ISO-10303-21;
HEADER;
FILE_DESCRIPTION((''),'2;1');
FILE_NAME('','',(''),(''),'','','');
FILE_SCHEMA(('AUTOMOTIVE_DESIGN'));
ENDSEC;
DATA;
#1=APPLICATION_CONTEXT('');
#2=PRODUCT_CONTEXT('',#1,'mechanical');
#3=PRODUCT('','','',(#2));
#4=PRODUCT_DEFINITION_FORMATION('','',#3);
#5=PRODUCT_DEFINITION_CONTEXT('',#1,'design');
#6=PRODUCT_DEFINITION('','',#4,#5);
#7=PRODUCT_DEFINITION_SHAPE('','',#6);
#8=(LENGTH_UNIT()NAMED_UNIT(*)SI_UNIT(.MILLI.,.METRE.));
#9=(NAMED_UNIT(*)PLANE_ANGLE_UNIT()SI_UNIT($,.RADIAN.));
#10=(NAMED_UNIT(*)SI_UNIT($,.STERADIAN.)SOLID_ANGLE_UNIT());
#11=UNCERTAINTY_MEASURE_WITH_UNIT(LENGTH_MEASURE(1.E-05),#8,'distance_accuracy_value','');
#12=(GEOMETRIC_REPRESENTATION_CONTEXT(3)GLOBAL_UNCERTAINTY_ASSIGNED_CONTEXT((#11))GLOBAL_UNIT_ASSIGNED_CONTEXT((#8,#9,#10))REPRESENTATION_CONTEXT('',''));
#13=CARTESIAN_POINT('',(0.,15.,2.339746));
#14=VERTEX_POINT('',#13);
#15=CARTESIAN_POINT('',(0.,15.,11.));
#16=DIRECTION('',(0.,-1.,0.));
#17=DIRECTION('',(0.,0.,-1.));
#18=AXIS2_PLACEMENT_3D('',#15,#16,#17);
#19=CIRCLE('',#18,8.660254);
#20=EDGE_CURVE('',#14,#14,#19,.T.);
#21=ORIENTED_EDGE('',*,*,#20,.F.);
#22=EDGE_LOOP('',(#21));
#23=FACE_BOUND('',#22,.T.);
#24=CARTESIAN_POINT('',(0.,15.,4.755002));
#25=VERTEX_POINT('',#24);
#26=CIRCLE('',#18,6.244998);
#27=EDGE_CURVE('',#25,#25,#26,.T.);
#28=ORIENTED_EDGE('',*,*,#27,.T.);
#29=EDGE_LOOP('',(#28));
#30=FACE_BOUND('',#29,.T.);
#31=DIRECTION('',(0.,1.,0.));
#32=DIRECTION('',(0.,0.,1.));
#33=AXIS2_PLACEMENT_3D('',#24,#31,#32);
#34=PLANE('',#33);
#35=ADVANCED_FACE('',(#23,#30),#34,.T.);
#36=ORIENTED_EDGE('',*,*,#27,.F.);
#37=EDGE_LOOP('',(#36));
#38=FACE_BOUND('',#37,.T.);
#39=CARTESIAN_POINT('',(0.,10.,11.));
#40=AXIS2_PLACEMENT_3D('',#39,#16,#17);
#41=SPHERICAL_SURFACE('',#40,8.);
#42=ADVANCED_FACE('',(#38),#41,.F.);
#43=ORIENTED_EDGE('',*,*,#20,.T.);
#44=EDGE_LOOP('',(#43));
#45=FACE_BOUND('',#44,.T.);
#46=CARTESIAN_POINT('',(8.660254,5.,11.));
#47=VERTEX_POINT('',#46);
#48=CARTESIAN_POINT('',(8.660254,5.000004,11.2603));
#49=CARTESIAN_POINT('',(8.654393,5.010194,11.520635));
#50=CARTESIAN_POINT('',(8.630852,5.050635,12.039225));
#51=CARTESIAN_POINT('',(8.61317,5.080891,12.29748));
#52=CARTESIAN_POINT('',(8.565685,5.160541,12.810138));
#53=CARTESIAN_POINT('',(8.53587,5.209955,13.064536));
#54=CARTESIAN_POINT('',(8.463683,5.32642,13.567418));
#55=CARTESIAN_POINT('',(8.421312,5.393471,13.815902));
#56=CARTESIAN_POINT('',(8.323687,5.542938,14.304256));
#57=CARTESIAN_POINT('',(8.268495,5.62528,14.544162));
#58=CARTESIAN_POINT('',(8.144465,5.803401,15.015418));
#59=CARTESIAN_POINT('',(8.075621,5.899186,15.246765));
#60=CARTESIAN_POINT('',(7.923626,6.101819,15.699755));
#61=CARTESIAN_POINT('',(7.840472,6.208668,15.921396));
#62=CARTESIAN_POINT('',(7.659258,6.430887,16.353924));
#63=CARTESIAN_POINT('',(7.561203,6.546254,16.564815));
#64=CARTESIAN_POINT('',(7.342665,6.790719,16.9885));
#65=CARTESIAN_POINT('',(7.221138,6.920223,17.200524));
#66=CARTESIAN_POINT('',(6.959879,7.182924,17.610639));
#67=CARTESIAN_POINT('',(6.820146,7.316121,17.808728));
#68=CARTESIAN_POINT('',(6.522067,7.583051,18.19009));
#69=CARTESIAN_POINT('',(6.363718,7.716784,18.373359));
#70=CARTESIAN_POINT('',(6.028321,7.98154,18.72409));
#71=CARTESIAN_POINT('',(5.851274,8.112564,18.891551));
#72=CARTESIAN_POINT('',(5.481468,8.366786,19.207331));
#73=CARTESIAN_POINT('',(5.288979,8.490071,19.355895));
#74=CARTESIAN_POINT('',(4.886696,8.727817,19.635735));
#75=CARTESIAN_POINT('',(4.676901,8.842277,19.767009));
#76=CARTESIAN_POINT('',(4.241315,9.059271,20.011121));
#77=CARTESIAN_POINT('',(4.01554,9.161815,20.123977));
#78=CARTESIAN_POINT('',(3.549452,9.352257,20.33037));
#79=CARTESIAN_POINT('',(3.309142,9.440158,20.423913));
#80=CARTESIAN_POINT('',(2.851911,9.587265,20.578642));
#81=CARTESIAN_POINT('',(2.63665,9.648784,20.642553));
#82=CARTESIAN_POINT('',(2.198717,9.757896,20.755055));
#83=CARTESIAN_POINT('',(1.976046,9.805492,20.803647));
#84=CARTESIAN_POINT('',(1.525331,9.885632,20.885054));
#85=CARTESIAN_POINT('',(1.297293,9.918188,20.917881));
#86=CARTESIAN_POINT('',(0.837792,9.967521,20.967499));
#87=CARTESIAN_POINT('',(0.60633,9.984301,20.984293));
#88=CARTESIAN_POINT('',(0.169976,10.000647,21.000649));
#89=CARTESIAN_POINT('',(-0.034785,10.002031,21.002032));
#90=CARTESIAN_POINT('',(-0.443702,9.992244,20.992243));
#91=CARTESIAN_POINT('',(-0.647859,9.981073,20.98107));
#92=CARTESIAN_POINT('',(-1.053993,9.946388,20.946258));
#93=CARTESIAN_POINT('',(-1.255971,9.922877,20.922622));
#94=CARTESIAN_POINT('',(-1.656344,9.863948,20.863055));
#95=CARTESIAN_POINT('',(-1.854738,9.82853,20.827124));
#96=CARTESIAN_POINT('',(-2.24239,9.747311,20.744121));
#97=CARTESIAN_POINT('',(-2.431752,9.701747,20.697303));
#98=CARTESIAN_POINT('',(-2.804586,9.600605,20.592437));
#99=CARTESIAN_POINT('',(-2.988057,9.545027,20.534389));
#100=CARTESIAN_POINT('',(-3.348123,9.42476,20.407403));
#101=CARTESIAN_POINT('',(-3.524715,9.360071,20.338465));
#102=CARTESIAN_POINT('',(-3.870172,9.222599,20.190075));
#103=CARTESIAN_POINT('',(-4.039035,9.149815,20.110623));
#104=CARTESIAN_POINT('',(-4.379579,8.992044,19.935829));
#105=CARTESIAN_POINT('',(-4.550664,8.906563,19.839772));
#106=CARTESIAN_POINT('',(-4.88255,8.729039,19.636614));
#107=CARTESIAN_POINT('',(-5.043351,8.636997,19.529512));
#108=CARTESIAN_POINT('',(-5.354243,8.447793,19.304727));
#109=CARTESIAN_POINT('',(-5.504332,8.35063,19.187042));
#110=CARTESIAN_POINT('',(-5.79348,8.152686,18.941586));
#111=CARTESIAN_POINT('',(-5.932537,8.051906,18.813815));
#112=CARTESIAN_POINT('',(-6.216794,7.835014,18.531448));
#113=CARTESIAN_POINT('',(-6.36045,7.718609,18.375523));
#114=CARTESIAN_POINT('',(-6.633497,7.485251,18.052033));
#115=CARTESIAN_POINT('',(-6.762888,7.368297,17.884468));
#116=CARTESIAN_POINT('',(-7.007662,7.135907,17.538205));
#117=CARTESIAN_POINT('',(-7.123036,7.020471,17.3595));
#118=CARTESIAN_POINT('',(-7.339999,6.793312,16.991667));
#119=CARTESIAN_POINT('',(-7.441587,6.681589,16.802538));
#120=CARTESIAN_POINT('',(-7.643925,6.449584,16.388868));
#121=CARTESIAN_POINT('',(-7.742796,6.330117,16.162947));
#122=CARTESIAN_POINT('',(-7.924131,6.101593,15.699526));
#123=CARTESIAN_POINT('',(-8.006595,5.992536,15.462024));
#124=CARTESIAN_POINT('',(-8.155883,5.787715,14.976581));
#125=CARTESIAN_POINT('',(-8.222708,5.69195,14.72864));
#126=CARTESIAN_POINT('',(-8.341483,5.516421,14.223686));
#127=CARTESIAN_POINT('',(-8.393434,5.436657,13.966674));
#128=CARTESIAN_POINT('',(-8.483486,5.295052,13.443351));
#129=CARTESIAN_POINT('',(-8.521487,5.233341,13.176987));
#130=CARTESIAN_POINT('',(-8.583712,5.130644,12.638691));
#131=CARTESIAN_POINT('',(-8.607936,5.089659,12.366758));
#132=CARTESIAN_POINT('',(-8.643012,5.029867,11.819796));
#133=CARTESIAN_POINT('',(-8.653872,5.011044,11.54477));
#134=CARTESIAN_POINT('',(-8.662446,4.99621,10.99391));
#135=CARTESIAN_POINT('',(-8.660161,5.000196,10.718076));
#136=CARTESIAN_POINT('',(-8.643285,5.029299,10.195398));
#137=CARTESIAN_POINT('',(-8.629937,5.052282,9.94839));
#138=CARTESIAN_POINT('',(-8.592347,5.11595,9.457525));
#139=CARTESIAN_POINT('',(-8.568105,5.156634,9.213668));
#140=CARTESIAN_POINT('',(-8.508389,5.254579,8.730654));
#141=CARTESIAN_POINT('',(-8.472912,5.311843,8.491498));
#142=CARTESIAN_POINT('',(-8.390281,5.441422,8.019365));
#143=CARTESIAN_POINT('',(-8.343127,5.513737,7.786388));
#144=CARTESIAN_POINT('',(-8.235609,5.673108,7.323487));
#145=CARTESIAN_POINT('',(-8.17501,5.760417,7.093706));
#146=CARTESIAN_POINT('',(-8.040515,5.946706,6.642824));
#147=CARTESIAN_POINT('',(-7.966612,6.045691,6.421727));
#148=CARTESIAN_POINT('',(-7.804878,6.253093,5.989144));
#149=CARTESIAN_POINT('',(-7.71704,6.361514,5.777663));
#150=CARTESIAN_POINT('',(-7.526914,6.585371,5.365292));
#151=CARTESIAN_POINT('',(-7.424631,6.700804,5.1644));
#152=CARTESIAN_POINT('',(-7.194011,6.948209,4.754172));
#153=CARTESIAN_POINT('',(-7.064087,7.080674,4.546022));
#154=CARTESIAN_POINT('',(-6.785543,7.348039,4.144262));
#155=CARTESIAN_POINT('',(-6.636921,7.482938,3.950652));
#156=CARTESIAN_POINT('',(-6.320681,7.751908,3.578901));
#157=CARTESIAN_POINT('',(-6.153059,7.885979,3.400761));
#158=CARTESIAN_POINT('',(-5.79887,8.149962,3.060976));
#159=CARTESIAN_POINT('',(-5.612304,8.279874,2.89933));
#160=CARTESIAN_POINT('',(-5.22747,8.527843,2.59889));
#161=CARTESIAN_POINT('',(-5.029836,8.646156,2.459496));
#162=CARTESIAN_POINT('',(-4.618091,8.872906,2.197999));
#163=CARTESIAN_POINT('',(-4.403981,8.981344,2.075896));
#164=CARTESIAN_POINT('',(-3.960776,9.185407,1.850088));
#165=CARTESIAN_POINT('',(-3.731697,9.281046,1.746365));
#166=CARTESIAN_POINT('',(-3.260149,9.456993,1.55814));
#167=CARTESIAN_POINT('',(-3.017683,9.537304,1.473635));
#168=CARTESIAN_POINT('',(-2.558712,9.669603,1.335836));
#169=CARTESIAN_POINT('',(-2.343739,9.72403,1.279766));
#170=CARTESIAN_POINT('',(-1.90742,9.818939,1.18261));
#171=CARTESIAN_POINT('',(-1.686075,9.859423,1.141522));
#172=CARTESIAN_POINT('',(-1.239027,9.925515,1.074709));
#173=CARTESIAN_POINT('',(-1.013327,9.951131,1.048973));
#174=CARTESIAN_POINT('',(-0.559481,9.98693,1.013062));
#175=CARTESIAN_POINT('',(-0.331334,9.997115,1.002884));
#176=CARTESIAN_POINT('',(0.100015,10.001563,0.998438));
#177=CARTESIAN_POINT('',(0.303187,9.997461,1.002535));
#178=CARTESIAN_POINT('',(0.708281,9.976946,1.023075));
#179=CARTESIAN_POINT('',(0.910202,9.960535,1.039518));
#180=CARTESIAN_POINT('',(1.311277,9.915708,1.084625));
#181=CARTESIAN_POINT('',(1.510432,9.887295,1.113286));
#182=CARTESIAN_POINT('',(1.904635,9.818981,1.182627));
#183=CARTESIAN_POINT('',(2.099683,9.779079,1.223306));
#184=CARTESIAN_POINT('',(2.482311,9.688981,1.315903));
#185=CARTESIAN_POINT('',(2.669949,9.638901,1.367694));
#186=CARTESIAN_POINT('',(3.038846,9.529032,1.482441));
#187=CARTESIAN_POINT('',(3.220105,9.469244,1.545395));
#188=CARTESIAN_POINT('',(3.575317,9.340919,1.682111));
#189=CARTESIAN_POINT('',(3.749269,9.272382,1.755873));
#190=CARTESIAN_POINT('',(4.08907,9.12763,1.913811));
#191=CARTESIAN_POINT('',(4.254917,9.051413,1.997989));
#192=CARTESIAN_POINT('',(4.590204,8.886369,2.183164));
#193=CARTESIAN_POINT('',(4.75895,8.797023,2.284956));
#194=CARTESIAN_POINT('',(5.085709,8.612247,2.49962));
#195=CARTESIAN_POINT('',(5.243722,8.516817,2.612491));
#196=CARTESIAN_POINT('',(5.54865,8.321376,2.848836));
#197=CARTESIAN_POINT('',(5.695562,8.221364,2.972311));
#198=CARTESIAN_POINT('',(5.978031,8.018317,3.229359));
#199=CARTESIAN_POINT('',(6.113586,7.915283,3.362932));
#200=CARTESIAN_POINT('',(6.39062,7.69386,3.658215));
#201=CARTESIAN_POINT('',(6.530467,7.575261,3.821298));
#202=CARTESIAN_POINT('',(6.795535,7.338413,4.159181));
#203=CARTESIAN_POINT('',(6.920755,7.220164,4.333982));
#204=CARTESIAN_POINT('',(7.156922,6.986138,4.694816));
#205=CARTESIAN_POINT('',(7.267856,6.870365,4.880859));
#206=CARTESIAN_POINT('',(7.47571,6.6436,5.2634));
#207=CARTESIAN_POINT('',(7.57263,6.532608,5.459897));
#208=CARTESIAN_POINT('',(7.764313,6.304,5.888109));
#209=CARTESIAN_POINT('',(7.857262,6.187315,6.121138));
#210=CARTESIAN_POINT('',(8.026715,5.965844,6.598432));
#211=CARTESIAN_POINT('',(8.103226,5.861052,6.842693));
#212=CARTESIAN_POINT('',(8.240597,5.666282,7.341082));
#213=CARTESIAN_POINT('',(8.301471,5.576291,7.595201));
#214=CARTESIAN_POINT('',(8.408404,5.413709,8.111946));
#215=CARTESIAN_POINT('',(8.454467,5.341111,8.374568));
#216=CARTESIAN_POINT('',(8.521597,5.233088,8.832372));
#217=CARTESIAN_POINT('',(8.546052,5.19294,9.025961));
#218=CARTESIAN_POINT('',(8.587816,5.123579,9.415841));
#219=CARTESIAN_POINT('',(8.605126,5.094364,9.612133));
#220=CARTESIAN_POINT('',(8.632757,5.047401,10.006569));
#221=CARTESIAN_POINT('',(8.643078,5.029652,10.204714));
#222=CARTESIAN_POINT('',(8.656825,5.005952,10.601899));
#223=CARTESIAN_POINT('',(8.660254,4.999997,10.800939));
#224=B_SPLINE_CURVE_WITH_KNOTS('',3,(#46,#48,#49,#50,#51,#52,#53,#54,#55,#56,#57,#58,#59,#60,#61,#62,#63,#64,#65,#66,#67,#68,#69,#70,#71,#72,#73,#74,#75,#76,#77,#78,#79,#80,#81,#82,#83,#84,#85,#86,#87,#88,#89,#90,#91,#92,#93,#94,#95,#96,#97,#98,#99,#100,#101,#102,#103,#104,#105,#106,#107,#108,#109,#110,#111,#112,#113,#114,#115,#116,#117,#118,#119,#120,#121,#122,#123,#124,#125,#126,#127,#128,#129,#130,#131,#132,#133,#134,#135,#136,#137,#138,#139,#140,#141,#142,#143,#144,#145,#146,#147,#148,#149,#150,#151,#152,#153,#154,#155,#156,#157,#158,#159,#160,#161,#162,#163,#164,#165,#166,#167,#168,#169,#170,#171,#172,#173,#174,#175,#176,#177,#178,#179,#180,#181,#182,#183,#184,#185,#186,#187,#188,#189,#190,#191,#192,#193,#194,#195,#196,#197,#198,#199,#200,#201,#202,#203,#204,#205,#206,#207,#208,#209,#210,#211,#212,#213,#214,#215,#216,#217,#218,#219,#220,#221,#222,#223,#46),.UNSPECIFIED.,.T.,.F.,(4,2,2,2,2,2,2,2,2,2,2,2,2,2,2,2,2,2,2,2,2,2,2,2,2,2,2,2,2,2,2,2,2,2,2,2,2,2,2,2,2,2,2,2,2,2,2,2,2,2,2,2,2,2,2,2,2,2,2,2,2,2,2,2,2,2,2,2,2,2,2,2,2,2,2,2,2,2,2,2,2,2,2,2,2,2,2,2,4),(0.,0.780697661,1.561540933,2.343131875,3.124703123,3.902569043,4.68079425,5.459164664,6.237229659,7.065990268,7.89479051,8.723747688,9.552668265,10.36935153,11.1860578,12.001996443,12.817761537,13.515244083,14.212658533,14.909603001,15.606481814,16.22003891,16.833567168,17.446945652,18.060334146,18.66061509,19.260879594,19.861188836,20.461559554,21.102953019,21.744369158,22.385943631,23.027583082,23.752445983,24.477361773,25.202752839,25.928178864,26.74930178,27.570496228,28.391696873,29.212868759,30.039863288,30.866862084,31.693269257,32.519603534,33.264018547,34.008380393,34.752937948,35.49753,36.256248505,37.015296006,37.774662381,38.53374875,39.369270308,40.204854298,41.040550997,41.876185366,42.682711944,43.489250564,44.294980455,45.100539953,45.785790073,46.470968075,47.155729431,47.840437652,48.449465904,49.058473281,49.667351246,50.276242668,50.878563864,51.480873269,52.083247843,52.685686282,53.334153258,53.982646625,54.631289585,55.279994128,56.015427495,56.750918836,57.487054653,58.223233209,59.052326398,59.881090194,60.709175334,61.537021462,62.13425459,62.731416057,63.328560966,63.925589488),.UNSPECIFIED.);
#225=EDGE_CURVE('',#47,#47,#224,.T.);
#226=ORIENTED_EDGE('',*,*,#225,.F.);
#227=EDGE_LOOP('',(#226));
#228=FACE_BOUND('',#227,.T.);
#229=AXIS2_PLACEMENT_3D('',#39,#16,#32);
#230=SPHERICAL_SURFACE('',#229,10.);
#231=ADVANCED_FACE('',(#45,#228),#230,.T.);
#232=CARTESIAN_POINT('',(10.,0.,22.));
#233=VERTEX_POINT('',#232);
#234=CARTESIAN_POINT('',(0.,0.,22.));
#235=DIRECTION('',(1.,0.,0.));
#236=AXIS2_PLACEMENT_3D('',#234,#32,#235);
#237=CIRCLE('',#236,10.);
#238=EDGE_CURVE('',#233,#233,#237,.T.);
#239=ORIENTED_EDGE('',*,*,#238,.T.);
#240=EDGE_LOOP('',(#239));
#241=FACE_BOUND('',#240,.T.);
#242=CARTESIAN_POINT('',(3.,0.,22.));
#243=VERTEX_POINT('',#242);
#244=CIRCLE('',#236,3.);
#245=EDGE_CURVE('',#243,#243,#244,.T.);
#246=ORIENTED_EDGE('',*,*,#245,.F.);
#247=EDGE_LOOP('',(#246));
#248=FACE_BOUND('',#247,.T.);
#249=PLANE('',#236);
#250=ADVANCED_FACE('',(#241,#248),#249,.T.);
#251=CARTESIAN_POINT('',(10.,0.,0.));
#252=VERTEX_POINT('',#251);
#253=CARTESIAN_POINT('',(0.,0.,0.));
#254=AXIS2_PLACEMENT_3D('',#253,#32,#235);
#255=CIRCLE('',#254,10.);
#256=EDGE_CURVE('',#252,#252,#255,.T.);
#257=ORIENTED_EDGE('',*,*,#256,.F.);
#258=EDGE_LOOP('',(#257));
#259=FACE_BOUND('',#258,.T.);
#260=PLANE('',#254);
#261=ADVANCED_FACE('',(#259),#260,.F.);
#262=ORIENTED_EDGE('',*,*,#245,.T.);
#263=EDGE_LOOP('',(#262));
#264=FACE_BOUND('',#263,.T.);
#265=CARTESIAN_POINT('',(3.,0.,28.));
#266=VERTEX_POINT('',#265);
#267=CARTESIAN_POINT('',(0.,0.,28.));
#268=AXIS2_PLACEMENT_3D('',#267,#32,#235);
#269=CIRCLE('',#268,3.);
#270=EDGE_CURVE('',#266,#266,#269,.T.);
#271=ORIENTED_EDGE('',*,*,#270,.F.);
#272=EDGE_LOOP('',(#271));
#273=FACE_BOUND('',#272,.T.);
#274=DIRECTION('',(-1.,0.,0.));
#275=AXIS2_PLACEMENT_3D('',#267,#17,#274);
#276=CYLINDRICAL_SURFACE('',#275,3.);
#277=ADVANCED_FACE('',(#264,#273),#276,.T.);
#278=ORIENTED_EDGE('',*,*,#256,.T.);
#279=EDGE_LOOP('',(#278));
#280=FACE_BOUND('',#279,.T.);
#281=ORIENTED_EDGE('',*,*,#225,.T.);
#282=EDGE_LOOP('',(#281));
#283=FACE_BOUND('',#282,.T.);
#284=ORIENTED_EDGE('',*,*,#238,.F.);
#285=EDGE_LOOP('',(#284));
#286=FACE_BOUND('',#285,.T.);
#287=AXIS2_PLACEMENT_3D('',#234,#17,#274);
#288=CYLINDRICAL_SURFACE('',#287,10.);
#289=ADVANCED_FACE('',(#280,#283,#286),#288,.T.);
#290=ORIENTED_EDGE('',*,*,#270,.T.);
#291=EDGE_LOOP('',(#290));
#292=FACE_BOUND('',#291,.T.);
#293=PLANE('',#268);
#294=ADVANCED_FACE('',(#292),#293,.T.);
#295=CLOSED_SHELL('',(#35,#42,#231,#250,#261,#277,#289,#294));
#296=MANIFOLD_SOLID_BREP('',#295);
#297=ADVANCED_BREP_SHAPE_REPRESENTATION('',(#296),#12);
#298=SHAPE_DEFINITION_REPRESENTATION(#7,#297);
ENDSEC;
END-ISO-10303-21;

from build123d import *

# Parameters (mm, degrees)
SKETCH1_R           = 10
BOSS_EXTRUDE1_DEPTH = 22
SKETCH2_R           = 3
BOSS_EXTRUDE2_DEPTH = 6


with BuildPart() as part:
    # Sketch1 → Boss-Extrude1 (new body)
    with BuildSketch(Plane.XY):
        Circle(SKETCH1_R)
    extrude(amount=BOSS_EXTRUDE1_DEPTH)

    # Sketch2 → Boss-Extrude2 (add)
    with BuildSketch(Plane.XY.offset(22)):
        Circle(SKETCH2_R)
    extrude(amount=BOSS_EXTRUDE2_DEPTH)

    # Sketch6 → Cut-Revolve3 (revolve, cut)
    with BuildSketch(Plane(origin=(0, 0, 0), x_dir=(0, 0, -1), z_dir=(1, 0, 0)), mode=Mode.PRIVATE) as cut_revolve3_sk:
        with BuildLine():
            Line((-11, 0), (-11, 10))
            Line((-11, 10), (-1, 10))
            ThreePointArc((-1, 10), (-3.928932188, 2.928932188), (-11, 0))
        make_face()
    revolve(cut_revolve3_sk.sketch.rotate(Axis((0, 0, 11), (0, 1, 0)), 180), axis=Axis((0, 0, 11), (0, 1, 0)), mode=Mode.SUBTRACT)

    # Sketch7 → Revolve1 (revolve)
    with BuildSketch(Plane(origin=(0, 0, 0), x_dir=(0, 0, -1), z_dir=(1, 0, 0)), mode=Mode.PRIVATE) as revolve1_sk:
        with BuildLine():
            Line((-4.755002002, 15), (-2.339745962, 15))
            ThreePointArc((-2.339745962, 15), (-2.339745962, 5), (-11, 0))
            Line((-11, 0), (-11, 2))
            ThreePointArc((-11, 2), (-3.788897449, 6.535898385), (-4.755002002, 15))
        make_face()
    revolve(revolve1_sk.sketch.rotate(Axis((0, 0, 11), (0, 1, 0)), 270), axis=Axis((0, 0, 11), (0, 1, 0)))


solid = part.part
